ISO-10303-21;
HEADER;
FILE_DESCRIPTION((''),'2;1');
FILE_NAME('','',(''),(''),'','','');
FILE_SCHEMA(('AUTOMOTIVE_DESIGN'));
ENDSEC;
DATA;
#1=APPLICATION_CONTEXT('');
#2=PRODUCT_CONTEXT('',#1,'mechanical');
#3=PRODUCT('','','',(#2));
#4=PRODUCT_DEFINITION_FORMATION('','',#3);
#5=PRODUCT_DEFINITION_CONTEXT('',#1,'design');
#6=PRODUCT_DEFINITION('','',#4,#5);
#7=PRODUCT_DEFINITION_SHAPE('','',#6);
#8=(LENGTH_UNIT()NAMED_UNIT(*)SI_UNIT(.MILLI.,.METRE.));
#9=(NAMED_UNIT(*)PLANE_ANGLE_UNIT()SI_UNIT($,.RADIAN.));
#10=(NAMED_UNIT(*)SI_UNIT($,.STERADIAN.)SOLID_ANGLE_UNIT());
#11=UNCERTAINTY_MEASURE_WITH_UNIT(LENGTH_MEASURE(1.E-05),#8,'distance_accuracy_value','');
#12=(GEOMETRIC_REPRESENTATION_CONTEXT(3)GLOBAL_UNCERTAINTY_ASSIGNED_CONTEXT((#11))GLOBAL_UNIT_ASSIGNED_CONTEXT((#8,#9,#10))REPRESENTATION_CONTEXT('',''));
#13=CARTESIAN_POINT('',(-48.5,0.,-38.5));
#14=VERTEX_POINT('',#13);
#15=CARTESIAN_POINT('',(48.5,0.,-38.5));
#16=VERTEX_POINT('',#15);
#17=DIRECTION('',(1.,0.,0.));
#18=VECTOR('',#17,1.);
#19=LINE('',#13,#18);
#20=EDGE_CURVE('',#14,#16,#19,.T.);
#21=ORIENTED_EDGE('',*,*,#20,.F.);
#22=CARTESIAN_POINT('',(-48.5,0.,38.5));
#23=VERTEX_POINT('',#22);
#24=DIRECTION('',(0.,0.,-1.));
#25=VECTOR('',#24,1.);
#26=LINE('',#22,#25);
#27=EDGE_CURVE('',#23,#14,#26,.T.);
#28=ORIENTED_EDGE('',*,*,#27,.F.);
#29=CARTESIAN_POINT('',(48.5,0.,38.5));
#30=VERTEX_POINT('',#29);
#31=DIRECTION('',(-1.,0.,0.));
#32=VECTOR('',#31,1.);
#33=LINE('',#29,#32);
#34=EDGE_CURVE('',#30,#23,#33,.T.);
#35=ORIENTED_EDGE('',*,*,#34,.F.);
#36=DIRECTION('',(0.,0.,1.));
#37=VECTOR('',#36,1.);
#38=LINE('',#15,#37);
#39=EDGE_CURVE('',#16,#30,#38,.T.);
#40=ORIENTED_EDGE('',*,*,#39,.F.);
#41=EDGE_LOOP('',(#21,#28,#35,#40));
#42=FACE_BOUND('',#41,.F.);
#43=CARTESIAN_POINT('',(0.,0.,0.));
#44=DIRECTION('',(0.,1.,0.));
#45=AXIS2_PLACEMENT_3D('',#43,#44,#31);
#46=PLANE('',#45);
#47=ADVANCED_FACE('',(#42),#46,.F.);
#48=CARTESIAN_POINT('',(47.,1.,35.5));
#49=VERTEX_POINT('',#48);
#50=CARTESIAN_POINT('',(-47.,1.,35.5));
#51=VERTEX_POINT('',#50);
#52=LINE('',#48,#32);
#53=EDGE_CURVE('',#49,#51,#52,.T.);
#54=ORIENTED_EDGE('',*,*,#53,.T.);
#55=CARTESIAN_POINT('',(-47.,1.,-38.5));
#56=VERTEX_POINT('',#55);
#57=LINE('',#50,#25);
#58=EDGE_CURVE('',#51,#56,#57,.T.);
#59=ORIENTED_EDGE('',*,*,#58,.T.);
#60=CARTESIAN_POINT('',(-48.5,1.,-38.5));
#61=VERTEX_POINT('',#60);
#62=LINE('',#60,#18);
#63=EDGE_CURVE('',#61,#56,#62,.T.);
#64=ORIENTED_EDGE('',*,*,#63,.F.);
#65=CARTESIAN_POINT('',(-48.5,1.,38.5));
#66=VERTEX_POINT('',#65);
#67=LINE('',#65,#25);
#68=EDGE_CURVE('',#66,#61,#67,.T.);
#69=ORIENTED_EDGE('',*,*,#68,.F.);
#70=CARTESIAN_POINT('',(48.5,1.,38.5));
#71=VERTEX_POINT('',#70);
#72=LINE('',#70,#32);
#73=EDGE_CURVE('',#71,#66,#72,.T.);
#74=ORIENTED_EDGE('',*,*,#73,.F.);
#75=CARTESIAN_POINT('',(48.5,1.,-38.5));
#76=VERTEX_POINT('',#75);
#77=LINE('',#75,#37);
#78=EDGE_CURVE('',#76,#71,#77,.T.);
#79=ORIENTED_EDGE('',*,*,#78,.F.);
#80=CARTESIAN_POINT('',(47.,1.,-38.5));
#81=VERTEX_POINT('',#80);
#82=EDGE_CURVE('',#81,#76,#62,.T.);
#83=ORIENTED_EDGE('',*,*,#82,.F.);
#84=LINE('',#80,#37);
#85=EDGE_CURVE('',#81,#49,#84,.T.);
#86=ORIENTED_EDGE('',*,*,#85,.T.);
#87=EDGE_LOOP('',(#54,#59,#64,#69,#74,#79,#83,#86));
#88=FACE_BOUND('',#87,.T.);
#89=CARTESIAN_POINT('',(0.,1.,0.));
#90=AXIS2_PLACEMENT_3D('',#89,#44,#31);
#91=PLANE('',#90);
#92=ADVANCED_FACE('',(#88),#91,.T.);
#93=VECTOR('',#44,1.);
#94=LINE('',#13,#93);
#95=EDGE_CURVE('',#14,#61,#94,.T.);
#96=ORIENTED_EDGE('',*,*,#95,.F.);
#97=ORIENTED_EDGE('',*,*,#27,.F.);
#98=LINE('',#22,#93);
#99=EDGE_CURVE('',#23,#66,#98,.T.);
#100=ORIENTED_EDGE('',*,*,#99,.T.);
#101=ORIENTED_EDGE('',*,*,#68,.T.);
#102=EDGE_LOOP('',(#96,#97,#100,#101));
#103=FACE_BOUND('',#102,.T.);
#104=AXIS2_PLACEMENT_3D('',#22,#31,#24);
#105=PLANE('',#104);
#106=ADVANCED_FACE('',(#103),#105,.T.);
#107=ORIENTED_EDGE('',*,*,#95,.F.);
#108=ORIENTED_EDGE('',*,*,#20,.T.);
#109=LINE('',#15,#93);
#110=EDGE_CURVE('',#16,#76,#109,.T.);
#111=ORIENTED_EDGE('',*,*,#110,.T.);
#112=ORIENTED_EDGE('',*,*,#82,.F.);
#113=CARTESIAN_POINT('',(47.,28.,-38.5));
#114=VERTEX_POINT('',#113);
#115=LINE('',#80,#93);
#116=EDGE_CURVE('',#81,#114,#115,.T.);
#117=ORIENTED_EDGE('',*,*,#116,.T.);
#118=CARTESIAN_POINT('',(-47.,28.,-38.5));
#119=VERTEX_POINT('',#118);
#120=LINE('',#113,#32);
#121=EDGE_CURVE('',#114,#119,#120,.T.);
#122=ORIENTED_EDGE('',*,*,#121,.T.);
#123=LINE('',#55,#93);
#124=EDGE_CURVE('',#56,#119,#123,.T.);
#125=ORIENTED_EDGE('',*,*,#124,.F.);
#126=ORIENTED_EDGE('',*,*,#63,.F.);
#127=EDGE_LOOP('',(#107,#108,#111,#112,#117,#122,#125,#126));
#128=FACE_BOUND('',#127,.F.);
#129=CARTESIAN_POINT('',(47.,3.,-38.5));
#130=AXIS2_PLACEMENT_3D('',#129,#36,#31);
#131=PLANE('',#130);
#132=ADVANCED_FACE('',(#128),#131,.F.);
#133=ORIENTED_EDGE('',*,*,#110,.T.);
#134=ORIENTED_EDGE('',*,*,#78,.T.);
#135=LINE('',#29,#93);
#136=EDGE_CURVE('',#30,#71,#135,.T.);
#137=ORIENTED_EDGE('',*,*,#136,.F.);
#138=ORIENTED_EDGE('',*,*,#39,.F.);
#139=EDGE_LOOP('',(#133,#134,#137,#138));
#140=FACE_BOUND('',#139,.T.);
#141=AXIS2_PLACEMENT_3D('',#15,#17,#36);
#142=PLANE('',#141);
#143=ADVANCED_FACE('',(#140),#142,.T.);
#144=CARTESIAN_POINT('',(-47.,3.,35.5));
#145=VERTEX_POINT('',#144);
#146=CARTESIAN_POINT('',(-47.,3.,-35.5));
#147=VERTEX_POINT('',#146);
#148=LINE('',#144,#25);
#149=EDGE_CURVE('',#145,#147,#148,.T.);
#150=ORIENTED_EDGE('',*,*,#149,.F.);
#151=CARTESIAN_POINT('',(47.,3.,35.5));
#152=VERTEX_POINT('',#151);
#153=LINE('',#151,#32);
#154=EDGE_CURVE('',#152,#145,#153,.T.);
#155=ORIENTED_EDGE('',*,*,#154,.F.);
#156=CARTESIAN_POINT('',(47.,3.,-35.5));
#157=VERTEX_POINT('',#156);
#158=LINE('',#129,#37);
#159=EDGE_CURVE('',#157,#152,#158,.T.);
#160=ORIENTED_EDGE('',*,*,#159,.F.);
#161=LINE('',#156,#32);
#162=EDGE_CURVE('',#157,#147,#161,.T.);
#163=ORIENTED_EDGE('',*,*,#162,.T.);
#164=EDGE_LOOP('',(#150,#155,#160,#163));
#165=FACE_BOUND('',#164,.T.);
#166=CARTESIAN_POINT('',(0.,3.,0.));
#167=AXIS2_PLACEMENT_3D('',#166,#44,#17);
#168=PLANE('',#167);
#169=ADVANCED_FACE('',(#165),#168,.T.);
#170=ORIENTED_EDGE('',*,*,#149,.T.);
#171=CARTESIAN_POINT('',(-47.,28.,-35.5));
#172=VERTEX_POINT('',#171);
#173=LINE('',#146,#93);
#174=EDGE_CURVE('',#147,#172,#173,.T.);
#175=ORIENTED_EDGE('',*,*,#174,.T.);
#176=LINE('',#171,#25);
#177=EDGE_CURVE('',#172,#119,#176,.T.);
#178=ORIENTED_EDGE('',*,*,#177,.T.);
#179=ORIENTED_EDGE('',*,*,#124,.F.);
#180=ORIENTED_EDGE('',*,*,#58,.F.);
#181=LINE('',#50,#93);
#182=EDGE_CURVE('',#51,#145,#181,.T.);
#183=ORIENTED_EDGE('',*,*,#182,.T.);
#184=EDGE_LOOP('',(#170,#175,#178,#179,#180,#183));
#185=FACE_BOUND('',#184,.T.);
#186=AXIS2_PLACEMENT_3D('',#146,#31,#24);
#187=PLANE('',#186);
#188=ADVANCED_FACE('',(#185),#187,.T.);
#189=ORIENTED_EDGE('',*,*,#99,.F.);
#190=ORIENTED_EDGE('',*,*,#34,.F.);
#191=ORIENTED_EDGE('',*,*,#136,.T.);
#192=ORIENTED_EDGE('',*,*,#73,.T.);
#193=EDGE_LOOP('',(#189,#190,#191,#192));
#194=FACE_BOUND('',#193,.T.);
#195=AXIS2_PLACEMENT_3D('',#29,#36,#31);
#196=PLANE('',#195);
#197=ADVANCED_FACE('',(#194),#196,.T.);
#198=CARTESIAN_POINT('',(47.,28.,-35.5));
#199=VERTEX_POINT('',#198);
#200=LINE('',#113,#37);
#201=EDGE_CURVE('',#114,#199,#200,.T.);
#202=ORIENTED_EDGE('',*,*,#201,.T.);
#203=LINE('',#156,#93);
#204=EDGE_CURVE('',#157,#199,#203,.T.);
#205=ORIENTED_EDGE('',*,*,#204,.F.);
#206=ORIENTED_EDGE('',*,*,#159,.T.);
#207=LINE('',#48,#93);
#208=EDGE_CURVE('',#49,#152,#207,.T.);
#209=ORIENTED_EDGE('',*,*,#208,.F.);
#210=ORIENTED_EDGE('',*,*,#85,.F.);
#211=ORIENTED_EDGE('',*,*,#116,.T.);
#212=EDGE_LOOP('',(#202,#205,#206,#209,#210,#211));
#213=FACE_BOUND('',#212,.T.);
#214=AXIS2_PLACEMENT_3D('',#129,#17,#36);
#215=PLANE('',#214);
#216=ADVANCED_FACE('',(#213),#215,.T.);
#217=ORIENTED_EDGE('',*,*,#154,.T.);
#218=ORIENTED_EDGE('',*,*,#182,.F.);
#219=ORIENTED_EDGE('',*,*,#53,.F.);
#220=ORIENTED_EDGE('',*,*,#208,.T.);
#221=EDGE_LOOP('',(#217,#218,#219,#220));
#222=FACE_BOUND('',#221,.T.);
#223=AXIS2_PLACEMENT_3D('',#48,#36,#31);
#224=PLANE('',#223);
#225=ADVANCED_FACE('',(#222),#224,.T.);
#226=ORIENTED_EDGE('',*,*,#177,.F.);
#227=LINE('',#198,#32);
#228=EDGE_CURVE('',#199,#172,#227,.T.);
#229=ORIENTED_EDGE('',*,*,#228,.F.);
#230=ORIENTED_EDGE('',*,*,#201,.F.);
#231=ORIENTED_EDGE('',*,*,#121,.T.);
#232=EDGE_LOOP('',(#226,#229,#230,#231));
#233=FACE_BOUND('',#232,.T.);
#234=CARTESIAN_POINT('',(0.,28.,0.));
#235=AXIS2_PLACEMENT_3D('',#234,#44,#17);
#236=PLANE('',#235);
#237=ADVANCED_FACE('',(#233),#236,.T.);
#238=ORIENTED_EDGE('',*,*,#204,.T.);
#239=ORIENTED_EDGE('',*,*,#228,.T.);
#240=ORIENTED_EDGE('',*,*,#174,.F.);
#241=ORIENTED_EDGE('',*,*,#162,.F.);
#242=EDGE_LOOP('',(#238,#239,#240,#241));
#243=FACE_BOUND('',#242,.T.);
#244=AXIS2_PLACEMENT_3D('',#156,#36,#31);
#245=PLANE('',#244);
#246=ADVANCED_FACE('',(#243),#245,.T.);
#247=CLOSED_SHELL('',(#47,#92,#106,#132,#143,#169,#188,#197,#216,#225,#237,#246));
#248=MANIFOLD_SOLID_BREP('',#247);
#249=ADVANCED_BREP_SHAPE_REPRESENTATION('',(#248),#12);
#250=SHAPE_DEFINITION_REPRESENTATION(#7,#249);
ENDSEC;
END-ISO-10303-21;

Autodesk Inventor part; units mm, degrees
ref_plane "YZ Plane" through (0, 0, 0) normal (1, 0, 0) x (0, 1, 0)
ref_plane "XZ Plane" through (0, 0, 0) normal (0, 1, 0) x (-1, 0, 0)
ref_plane "XY Plane" through (0, 0, 0) normal (0, 0, 1) x (1, 0, 0)
sketch "Эскиз1" plane through (0, 0, 0) normal (0, 1, 0) x (-1, 0, 0)
  line L0 (-48.5, 38.5) -> (48.5, 38.5)
  line L1 (48.5, 38.5) -> (48.5, -38.5)
  line L2 (48.5, -38.5) -> (-48.5, -38.5)
  line L3 (-48.5, -38.5) -> (-48.5, 38.5)
  line L4 (-48.5, 38.5) -> (48.5, -38.5) construction
  line L5 (48.5, 38.5) -> (-48.5, -38.5) construction
  point P0 (0, 0)
  dimension "d0" = 77
  dimension "d1" = 97
extrude "Выдавливание1" add sketch "Эскиз1" along normal blind 1
sketch "Эскиз2" plane through (0, 1, 0) normal (0, 1, 0) x (1, 0, 0)
  line L0 (48.5, 38.5) -> (-48.5, 38.5) projected
  line L1 (-47, 38.5) -> (47, 38.5)
  line L2 (47, 38.5) -> (47, -35.5)
  line L3 (47, -35.5) -> (-47, -35.5)
  line L4 (-47, -35.5) -> (-47, 38.5)
  line L5 (0, 38.5) -> (0, 0)
  line L6 (-48.5, -38.5) -> (48.5, -38.5) projected
  dimension "d4" = 94
  dimension "d5" = 3
extrude "Выдавливание2" add sketch "Эскиз2" along normal blind 2
sketch "Эскиз3" plane through (0, 3, 0) normal (0, 1, 0) x (1, 0, 0)
  line L0 (47, 38.5) -> (-47, 38.5) projected
  line L1 (47, 38.5) -> (47, -35.5) projected
  line L2 (-47, 38.5) -> (47, 38.5)
  line L3 (47, 38.5) -> (47, 35.5)
  line L4 (47, 35.5) -> (-47, 35.5)
  line L5 (-47, 35.5) -> (-47, 38.5)
  point P0 (0, 0)
  dimension "d8" = 3
extrude "Выдавливание3" add sketch "Эскиз3" along normal blind 25
properties part number "Крышка Корпуса3"
